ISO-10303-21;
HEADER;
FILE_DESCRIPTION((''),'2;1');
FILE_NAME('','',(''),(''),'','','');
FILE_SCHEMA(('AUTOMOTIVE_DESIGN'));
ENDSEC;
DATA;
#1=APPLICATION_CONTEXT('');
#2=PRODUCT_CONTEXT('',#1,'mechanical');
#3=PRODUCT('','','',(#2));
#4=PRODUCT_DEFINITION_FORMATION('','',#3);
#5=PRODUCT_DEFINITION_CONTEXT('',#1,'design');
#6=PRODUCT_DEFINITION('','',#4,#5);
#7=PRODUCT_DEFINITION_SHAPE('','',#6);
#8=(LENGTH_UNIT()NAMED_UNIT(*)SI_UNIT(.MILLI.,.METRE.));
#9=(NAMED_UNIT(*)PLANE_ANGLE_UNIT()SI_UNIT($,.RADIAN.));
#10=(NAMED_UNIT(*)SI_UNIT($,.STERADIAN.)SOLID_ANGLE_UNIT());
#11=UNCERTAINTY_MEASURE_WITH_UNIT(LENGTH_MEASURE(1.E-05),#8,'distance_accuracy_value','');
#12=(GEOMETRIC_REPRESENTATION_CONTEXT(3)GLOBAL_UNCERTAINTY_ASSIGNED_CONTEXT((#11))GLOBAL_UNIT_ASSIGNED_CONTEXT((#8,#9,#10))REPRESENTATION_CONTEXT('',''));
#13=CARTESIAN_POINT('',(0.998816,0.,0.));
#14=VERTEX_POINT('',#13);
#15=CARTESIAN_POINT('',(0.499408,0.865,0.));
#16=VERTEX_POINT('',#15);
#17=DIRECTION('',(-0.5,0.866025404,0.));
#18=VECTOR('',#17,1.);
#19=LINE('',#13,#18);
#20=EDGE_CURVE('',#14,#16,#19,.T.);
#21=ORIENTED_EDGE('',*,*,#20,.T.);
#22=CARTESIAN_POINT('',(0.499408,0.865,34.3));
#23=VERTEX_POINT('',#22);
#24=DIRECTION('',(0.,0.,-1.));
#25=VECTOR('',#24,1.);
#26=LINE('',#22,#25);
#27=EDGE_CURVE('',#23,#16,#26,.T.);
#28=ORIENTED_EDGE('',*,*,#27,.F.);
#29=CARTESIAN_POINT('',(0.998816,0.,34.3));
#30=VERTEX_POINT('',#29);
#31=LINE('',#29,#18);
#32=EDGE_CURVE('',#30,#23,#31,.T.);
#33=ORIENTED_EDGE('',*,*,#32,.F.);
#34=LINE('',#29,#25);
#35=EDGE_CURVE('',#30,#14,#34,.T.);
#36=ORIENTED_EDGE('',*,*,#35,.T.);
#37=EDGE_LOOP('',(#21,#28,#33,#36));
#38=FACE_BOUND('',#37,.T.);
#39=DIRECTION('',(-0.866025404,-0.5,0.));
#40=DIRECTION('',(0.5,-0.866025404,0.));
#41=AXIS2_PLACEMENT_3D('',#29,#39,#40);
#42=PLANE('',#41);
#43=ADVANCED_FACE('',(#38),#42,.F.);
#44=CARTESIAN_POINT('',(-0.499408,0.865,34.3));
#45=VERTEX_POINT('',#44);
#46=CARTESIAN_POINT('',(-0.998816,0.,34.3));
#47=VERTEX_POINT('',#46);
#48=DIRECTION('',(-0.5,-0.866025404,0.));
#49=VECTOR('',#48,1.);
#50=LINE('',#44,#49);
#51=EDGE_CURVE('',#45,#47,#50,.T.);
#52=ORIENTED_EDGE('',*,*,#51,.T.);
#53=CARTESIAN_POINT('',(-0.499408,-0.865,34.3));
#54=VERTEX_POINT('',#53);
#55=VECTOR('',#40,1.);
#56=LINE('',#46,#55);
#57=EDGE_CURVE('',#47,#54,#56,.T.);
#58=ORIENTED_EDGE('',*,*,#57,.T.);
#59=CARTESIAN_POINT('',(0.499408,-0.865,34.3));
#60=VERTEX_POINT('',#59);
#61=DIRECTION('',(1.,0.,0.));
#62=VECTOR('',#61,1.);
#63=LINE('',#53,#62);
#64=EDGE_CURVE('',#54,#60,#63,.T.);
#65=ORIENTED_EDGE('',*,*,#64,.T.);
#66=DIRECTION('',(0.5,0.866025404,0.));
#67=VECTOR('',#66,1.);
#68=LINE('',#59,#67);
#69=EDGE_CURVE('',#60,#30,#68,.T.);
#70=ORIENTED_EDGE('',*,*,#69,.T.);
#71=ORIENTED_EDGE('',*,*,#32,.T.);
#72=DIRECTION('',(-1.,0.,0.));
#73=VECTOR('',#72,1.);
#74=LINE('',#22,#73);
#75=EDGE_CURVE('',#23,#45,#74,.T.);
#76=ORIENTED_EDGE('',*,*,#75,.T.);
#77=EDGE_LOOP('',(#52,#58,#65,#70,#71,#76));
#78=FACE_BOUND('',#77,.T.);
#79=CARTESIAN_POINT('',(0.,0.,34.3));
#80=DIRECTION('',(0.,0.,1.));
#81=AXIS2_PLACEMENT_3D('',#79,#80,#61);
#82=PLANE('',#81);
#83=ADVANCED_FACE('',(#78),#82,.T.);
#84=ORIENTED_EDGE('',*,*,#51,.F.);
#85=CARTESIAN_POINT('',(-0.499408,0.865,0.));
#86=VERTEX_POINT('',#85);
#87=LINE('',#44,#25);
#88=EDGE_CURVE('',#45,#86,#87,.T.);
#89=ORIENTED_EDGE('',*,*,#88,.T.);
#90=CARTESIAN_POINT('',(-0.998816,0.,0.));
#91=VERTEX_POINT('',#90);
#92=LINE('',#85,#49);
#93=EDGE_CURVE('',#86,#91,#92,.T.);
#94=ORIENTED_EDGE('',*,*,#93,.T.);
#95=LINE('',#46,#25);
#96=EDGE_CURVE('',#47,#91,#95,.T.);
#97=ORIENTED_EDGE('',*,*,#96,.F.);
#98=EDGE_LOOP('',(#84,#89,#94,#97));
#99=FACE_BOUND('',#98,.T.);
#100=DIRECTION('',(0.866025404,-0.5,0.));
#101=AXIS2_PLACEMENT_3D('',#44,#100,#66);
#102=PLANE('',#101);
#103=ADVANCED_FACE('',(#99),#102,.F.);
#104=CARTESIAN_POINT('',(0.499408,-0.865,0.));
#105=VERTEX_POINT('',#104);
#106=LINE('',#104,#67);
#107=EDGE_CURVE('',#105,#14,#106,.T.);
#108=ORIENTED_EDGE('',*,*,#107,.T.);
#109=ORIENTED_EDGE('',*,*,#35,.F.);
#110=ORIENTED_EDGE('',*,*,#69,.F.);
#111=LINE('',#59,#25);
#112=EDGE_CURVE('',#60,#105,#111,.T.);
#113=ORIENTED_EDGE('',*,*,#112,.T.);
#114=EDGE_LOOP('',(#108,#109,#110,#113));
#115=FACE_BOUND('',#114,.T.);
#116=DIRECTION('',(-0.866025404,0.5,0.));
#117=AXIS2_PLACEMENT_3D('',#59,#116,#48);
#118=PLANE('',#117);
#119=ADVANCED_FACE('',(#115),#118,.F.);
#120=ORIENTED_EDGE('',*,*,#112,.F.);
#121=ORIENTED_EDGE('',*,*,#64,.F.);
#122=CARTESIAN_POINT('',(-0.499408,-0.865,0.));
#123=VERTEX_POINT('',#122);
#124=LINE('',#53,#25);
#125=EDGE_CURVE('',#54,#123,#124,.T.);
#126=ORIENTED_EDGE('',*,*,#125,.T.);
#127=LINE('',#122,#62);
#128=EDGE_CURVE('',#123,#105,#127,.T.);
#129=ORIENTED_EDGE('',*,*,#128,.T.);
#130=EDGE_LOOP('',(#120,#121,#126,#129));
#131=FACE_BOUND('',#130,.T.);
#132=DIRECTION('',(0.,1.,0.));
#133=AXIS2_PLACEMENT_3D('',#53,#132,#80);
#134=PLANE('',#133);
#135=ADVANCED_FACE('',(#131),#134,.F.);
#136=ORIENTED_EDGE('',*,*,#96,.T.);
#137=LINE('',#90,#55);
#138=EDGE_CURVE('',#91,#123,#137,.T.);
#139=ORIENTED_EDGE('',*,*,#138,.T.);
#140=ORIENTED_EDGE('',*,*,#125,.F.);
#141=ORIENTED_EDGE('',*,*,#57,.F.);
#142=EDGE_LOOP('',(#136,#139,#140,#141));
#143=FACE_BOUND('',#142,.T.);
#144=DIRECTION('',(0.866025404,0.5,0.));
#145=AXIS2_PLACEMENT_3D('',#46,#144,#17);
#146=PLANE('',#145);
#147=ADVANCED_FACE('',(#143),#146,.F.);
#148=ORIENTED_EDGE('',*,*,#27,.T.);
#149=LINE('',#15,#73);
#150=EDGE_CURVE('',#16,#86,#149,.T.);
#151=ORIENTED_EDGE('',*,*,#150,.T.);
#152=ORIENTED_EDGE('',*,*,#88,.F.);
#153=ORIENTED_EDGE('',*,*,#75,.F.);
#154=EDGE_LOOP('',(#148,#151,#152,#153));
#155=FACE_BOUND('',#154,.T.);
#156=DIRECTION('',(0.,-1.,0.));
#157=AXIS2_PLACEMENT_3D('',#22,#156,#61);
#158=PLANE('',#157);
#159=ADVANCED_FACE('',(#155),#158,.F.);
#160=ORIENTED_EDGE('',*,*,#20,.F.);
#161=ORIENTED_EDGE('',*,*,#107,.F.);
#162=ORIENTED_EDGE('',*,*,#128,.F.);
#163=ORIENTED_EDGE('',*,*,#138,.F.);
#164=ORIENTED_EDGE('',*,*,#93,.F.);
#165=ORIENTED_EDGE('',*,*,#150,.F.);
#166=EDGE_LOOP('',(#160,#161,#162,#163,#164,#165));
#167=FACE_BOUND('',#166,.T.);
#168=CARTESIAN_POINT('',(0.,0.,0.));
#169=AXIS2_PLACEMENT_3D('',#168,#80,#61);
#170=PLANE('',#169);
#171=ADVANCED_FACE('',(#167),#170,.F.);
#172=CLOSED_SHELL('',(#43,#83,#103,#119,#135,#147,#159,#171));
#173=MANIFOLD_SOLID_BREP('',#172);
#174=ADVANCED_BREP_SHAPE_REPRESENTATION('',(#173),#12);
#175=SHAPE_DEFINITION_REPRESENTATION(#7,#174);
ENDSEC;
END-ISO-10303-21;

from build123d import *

# Parameters (mm, degrees)
AXIS_DEPTH = 34.3


with BuildPart() as part:
    # AxisSke → Axis (new body)
    with BuildSketch(Plane.XY):
        Polygon((0.998815966, 0), (0.499407983, 0.865), (-0.499407983, 0.865), (-0.998815966, 0), (-0.499407983, -0.865), (0.499407983, -0.865), align=None)
    extrude(amount=AXIS_DEPTH)


solid = part.part
